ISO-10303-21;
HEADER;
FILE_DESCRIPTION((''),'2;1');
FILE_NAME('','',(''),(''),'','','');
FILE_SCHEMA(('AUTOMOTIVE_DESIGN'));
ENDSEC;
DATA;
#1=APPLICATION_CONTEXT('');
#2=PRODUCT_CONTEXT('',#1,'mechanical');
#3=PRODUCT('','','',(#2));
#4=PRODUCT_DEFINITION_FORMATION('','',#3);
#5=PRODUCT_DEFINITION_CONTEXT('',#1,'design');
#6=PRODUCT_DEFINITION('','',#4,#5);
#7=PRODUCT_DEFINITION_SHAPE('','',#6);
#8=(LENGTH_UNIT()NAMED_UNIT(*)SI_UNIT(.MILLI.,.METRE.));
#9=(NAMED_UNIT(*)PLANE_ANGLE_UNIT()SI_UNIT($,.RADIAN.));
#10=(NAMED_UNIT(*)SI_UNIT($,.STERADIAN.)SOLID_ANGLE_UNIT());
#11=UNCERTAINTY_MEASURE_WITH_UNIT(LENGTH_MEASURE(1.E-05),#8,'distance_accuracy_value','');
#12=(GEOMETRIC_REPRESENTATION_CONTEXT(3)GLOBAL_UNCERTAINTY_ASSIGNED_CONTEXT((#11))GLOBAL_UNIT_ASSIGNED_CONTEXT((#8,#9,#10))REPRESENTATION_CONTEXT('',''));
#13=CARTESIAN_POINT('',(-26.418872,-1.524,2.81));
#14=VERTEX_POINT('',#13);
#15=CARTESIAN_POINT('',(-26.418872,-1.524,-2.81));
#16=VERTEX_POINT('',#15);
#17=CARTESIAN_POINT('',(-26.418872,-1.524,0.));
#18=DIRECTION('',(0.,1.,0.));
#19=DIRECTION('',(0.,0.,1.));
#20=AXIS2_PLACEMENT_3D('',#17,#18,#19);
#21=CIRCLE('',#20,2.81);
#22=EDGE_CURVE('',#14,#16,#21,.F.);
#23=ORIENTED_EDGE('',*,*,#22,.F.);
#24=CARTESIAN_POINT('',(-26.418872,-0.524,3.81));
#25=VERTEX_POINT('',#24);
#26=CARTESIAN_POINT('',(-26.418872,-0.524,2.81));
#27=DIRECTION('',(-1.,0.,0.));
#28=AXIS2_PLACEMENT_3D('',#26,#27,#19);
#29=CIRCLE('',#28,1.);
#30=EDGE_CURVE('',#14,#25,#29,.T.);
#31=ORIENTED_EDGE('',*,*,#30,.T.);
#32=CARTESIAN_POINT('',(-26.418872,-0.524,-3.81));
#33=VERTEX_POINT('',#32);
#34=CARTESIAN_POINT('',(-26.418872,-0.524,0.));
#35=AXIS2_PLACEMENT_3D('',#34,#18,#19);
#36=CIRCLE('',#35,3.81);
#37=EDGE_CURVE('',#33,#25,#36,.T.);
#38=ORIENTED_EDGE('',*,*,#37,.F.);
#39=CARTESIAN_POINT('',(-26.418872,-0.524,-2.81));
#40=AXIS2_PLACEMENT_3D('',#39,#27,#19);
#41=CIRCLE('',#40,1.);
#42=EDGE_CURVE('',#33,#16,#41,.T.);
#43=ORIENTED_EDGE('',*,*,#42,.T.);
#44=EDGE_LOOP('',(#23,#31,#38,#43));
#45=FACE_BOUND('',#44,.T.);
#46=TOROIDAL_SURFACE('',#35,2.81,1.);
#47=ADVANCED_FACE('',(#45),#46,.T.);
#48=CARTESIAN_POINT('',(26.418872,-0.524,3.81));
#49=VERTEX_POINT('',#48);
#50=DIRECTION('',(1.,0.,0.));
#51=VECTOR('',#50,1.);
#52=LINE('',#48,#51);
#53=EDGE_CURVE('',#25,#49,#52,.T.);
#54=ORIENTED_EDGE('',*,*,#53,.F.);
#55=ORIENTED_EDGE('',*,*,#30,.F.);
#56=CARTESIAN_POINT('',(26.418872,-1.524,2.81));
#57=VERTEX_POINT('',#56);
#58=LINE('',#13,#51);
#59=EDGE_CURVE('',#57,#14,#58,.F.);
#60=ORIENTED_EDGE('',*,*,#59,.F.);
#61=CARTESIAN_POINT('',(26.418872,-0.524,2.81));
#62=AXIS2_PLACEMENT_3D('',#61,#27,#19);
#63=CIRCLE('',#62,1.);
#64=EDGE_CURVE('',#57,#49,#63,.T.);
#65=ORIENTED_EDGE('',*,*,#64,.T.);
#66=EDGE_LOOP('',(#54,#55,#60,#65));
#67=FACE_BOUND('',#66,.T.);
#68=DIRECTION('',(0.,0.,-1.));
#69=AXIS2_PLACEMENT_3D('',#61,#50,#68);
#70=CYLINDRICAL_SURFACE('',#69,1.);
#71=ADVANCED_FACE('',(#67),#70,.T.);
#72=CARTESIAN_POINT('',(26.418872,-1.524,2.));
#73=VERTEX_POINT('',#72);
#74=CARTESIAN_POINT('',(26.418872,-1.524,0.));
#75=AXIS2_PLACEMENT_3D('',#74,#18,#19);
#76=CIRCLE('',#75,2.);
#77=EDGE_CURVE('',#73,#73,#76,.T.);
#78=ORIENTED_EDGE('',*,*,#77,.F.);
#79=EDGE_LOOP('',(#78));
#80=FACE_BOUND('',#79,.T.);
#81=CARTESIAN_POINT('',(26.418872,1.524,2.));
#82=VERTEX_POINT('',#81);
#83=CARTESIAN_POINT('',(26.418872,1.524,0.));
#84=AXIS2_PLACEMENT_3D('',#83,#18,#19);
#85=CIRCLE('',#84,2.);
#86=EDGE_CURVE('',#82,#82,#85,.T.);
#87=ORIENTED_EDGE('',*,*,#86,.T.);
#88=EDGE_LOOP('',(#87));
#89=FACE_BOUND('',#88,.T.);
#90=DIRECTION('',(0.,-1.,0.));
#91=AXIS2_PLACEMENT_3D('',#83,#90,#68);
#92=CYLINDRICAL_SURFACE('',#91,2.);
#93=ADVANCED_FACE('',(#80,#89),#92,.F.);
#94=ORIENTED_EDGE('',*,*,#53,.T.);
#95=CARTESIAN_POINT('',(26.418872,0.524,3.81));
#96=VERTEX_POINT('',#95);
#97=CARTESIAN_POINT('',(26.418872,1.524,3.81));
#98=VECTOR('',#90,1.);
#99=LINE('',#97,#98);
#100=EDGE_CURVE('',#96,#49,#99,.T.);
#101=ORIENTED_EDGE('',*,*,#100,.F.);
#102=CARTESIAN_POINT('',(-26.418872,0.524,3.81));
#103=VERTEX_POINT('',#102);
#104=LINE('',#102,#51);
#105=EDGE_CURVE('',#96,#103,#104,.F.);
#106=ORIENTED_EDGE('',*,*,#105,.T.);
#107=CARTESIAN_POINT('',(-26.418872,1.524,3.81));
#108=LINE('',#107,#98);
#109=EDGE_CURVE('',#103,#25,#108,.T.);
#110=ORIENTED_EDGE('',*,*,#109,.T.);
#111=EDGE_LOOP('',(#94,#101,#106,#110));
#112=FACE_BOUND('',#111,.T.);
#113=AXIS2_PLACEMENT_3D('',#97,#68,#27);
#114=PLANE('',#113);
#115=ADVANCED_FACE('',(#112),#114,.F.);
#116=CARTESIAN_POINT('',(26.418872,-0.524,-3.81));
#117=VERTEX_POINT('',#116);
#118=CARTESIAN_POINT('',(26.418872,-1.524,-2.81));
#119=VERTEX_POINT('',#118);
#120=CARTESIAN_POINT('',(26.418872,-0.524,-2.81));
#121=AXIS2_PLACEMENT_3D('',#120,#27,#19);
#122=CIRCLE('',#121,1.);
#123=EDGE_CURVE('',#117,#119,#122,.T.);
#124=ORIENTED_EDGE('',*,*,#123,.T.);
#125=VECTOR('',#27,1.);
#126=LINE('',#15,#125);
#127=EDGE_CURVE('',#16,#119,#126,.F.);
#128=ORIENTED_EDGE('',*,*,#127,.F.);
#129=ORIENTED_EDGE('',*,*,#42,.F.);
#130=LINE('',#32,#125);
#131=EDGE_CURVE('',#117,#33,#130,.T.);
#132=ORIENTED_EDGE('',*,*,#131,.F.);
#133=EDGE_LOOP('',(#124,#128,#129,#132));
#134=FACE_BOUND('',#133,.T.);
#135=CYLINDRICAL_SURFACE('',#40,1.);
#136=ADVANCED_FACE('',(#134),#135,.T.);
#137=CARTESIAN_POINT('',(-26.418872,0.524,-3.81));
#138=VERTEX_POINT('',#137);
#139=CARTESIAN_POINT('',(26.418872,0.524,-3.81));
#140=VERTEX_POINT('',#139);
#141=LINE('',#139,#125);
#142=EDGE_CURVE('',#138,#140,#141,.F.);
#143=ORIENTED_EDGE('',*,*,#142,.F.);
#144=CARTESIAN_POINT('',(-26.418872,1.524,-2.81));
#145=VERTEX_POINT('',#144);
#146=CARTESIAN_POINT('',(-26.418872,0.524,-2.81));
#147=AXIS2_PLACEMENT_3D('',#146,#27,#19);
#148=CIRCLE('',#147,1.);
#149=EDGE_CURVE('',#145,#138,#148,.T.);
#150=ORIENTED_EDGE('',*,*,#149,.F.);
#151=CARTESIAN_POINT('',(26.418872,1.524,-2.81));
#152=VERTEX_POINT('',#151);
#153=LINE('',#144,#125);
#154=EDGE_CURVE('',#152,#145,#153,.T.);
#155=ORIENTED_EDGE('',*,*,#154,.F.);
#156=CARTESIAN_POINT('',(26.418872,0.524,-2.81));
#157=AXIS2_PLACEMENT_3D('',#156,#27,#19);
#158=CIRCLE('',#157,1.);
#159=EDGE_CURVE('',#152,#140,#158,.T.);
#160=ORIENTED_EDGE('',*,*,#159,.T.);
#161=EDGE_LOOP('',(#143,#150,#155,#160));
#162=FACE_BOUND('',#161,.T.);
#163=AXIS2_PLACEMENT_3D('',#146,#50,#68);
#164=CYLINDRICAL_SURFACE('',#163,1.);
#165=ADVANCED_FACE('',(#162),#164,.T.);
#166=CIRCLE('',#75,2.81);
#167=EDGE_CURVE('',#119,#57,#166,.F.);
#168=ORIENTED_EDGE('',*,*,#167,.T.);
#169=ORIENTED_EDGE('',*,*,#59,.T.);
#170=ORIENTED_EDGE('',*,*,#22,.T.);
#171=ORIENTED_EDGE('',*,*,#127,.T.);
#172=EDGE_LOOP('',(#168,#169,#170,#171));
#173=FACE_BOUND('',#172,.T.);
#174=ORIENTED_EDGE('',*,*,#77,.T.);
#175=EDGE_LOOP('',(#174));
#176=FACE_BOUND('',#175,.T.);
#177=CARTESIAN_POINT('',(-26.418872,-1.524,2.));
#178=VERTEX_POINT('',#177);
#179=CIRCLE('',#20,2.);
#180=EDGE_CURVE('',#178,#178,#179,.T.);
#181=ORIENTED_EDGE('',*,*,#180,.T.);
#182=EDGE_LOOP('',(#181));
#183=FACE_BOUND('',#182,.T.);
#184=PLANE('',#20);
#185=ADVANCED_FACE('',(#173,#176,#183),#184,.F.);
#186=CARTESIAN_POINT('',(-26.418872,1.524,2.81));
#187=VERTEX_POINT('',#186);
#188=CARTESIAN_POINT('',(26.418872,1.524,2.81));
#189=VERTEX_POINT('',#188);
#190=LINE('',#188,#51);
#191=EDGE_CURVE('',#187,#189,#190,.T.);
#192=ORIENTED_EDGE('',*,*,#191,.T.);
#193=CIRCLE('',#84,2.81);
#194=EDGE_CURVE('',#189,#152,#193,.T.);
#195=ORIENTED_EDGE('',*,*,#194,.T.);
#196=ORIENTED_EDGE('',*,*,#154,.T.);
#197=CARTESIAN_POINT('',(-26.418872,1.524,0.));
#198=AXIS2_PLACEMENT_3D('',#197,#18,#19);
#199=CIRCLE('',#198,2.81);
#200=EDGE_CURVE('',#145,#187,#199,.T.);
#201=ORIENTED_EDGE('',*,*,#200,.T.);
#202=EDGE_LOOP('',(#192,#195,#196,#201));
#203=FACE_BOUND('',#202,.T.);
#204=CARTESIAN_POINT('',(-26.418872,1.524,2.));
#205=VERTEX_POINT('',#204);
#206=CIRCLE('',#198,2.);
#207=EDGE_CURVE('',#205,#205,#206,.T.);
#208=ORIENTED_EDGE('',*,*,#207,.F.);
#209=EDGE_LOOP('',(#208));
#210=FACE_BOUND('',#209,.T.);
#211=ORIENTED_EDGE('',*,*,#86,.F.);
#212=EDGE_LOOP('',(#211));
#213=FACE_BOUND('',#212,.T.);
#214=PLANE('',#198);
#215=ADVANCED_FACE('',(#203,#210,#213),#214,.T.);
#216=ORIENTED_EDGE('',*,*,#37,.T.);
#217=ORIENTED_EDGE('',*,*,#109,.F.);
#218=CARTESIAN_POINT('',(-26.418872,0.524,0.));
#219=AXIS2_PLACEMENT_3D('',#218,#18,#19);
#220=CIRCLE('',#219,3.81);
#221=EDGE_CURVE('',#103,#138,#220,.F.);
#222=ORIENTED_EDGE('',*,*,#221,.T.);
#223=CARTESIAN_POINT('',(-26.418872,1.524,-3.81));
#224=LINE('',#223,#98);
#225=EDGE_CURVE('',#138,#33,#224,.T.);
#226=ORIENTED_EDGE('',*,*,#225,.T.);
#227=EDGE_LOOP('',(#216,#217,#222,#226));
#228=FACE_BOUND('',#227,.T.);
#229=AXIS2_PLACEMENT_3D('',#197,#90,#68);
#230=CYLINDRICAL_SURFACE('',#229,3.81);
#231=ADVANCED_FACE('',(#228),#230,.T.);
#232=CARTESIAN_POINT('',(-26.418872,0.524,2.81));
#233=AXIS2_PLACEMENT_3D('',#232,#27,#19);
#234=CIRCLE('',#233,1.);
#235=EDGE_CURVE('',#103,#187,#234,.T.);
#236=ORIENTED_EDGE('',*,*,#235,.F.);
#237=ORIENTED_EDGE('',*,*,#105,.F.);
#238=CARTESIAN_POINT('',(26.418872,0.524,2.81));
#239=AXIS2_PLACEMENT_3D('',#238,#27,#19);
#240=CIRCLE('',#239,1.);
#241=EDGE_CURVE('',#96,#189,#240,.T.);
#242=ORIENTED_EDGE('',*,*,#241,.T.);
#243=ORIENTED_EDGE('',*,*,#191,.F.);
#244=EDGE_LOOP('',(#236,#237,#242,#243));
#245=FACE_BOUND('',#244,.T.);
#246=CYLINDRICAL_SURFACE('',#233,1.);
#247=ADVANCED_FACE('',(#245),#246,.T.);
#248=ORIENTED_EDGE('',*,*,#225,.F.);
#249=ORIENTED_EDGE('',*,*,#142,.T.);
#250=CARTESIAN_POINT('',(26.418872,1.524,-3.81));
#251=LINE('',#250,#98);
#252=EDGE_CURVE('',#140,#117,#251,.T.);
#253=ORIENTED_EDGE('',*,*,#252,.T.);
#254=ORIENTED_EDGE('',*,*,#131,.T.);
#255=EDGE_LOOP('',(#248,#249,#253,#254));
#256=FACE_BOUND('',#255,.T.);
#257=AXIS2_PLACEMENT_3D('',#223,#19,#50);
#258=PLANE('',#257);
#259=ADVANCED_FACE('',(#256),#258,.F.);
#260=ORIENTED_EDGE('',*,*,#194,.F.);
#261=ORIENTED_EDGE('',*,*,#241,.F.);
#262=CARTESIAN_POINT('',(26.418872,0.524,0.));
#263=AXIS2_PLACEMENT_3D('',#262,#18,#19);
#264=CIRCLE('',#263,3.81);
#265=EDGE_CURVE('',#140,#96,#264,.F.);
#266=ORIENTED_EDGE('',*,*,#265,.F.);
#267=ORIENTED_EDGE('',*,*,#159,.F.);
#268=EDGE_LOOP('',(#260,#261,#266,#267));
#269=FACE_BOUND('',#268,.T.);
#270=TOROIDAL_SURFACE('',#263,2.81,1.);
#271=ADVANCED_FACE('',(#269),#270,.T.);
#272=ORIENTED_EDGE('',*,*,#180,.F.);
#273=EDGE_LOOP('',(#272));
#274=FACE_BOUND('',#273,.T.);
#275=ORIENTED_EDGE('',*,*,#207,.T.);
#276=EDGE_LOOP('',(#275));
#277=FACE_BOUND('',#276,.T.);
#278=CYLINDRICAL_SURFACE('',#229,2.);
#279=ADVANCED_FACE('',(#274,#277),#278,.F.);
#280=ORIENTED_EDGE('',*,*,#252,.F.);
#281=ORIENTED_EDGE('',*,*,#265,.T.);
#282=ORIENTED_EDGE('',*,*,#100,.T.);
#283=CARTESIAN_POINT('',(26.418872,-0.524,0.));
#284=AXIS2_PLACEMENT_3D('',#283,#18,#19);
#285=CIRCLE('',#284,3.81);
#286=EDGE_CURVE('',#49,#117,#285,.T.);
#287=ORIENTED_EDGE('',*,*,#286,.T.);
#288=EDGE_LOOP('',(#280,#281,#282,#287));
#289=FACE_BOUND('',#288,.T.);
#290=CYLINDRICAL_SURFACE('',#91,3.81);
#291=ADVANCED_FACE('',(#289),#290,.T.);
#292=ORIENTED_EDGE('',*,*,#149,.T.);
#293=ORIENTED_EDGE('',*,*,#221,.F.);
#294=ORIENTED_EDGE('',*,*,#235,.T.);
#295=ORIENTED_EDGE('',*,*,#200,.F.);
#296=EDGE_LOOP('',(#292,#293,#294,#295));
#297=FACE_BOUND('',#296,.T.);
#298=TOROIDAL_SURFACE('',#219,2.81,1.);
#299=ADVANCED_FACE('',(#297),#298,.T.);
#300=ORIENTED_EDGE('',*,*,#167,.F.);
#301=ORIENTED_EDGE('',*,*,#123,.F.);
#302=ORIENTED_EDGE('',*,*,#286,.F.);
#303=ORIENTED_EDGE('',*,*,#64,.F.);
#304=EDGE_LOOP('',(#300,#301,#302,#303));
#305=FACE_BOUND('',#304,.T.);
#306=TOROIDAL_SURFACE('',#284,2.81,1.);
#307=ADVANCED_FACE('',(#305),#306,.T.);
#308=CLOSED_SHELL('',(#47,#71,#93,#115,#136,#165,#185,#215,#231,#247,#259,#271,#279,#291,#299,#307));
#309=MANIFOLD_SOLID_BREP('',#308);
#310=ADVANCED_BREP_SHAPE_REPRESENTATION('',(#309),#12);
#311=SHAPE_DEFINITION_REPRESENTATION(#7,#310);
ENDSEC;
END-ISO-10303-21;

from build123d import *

# Parameters (mm, degrees)
SKETCH1_R           = 2
BOSS_EXTRUDE1_DEPTH = 1.524
FILLET1_R           = 1


with BuildPart() as part:
    # Sketch1 → Boss-Extrude1 (new body, symmetric)
    with BuildSketch(Plane(origin=(0, 0, 0), x_dir=(1, 0, 0), z_dir=(0, 1, 0))):
        with BuildLine():
            Line((-26.418872232, 3.81), (26.418872232, 3.81))
            ThreePointArc((26.418872232, 3.81), (30.228872232, 0), (26.418872232, -3.81))
            Line((26.418872232, -3.81), (-26.418872232, -3.81))
            ThreePointArc((-26.418872232, -3.81), (-30.228872232, 0), (-26.418872232, 3.81))
        make_face()
        with Locations((-26.418872232, 0)):
            Circle(SKETCH1_R, mode=Mode.SUBTRACT)
        with Locations((26.418872232, 0)):
            Circle(SKETCH1_R, mode=Mode.SUBTRACT)
    extrude(amount=BOSS_EXTRUDE1_DEPTH, both=True)

    # Fillet1
    fillet1_edges = [part.edges().sort_by_distance(p)[0] for p in [
        (30.228872232, 1.524, 0),
        (0, 1.524, -3.81),
        (-30.228872232, 1.524, 0),
        (0, -1.524, -3.81),
        (30.228872232, -1.524, 0),
        (0, -1.524, 3.81),
        (-30.228872232, -1.524, 0),
        (0, 1.524, 3.81),
    ]]
    fillet(fillet1_edges, radius=FILLET1_R)


solid = part.part
